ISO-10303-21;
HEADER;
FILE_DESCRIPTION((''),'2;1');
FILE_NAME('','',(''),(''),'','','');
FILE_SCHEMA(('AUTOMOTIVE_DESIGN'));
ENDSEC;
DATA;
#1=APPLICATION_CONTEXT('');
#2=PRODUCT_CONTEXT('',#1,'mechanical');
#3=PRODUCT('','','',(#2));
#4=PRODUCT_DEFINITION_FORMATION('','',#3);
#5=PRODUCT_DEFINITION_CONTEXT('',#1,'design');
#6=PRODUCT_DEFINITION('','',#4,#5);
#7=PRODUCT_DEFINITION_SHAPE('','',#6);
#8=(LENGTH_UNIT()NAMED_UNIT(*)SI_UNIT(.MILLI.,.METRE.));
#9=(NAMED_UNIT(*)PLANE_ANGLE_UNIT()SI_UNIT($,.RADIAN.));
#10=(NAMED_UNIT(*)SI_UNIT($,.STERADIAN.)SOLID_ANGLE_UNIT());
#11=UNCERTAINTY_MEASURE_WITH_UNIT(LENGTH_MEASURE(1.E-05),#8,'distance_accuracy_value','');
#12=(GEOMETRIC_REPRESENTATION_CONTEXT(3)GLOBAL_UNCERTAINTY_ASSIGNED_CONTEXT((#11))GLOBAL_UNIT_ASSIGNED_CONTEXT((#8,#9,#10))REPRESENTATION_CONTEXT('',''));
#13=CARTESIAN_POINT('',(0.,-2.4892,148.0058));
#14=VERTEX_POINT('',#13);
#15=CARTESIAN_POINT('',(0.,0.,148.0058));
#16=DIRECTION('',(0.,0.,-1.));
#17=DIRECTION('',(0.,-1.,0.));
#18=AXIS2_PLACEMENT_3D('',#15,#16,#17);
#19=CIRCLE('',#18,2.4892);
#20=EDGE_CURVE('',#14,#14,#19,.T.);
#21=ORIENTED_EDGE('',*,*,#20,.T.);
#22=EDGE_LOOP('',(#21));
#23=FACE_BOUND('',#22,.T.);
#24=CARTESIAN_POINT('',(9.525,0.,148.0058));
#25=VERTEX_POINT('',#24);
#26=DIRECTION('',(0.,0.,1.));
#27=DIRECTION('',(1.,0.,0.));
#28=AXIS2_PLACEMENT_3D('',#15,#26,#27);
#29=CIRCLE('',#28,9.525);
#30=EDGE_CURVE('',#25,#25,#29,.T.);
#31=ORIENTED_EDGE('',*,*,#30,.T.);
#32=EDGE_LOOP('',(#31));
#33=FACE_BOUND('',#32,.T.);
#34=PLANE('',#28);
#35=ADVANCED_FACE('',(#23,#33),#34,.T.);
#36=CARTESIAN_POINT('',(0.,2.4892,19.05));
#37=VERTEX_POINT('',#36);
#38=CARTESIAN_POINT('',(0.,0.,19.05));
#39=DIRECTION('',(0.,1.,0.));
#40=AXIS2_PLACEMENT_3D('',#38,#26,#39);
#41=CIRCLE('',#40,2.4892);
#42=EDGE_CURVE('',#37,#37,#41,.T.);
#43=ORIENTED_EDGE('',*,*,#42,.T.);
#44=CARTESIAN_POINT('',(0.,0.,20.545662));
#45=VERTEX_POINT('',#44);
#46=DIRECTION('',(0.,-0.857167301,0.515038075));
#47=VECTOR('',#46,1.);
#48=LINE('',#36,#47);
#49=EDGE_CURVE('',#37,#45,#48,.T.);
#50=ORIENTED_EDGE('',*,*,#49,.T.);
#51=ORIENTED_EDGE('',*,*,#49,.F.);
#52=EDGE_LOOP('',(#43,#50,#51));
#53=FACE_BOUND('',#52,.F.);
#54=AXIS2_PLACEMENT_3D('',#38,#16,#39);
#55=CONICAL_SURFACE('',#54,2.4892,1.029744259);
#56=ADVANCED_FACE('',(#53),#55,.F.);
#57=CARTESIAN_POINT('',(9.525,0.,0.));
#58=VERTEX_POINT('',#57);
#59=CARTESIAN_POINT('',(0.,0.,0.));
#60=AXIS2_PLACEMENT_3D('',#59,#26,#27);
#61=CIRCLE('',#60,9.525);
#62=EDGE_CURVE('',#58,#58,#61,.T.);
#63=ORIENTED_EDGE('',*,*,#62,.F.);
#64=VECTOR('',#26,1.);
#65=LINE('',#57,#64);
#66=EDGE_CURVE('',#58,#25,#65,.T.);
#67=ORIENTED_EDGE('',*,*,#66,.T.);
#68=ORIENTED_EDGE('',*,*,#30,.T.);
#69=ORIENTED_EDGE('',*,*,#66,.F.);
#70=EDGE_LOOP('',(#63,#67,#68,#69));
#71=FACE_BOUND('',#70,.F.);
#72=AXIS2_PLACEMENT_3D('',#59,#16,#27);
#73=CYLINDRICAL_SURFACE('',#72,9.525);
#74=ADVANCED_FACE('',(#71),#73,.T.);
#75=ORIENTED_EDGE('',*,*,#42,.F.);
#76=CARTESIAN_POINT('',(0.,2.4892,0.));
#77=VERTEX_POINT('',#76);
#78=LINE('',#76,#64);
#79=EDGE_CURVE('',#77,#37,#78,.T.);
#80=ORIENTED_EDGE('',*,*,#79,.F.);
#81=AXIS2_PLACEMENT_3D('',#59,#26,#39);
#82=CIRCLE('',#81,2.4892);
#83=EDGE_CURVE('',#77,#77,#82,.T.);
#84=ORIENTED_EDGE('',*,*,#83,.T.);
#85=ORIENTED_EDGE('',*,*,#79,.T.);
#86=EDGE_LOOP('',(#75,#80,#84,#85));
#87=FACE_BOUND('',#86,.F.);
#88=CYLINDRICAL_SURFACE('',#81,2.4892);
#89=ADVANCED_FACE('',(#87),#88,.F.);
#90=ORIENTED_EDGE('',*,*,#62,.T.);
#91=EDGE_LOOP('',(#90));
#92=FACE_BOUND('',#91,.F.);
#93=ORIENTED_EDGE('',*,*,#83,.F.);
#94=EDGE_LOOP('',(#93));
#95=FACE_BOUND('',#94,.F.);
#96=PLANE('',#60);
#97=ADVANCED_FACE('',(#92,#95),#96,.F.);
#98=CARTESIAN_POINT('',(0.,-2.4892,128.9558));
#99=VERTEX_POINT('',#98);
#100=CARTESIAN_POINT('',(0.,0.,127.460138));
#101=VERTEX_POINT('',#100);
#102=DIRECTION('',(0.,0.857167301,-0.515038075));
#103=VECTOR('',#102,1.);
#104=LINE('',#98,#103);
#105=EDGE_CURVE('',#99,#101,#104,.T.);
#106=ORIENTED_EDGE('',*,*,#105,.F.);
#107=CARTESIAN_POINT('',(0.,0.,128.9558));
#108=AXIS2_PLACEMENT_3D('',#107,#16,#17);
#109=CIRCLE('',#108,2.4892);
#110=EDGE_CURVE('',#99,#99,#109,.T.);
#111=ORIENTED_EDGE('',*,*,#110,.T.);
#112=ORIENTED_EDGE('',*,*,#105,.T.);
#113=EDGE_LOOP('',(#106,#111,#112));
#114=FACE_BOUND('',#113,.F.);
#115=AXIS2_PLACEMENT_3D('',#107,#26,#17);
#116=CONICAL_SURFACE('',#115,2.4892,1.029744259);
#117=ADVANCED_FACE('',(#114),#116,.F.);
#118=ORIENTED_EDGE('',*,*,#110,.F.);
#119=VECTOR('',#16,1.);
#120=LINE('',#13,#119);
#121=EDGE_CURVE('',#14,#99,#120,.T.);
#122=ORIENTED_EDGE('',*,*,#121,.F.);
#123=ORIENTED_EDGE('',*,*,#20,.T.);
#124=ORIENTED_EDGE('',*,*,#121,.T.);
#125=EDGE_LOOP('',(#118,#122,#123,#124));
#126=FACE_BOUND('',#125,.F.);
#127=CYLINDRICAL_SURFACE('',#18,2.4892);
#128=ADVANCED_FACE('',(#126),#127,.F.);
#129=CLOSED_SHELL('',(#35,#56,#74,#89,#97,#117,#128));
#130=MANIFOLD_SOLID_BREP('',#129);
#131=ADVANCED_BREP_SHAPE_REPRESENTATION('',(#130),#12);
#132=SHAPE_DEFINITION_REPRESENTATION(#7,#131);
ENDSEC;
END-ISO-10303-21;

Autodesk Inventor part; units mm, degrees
ref_plane "YZ Plane" through (0, 0, 0) normal (1, 0, 0) x (0, 1, 0)
ref_plane "XZ Plane" through (0, 0, 0) normal (0, 1, 0) x (-1, 0, 0)
ref_plane "XY Plane" through (0, 0, 0) normal (0, 0, 1) x (1, 0, 0)
sketch "Sketch1" plane through (0, 0, 0) normal (0, 0, 1) x (1, 0, 0)
  circle A0 centre (0, 0) radius 9.525
  dimension "d0" = 19.05
extrude "Extrusion1" add sketch "Sketch1" along normal blind 148.0058
sketch "Sketch2" plane through (0, 0, 148.0058) normal (0, 0, 1) x (1, 0, 0)
  point P0 (0, 0)
  point P1 (0, 0)
sketch "Sketch3" plane through (0, 0, 0) normal (0, 0, -1) x (-1, 0, 0)
  point P0 (0, 0)
  point P1 (0, 0)
hole "Hole1" at (0, 0, 0) direction (0, 0, 1) diameter 4.9784 depth 19.05 tip angle 118 thread size "1/4-20 UNC" class "2B" standard "ANSI Unified Screw Threads"
hole "Hole2" at (0, 0, 148.0058) direction (0, 0, -1) diameter 4.9784 depth 19.05 tip angle 118 thread size "1/4-20 UNC" class "2B" standard "ANSI Unified Screw Threads"
properties part number "Plate Spacer" material "Aluminum 6061"
